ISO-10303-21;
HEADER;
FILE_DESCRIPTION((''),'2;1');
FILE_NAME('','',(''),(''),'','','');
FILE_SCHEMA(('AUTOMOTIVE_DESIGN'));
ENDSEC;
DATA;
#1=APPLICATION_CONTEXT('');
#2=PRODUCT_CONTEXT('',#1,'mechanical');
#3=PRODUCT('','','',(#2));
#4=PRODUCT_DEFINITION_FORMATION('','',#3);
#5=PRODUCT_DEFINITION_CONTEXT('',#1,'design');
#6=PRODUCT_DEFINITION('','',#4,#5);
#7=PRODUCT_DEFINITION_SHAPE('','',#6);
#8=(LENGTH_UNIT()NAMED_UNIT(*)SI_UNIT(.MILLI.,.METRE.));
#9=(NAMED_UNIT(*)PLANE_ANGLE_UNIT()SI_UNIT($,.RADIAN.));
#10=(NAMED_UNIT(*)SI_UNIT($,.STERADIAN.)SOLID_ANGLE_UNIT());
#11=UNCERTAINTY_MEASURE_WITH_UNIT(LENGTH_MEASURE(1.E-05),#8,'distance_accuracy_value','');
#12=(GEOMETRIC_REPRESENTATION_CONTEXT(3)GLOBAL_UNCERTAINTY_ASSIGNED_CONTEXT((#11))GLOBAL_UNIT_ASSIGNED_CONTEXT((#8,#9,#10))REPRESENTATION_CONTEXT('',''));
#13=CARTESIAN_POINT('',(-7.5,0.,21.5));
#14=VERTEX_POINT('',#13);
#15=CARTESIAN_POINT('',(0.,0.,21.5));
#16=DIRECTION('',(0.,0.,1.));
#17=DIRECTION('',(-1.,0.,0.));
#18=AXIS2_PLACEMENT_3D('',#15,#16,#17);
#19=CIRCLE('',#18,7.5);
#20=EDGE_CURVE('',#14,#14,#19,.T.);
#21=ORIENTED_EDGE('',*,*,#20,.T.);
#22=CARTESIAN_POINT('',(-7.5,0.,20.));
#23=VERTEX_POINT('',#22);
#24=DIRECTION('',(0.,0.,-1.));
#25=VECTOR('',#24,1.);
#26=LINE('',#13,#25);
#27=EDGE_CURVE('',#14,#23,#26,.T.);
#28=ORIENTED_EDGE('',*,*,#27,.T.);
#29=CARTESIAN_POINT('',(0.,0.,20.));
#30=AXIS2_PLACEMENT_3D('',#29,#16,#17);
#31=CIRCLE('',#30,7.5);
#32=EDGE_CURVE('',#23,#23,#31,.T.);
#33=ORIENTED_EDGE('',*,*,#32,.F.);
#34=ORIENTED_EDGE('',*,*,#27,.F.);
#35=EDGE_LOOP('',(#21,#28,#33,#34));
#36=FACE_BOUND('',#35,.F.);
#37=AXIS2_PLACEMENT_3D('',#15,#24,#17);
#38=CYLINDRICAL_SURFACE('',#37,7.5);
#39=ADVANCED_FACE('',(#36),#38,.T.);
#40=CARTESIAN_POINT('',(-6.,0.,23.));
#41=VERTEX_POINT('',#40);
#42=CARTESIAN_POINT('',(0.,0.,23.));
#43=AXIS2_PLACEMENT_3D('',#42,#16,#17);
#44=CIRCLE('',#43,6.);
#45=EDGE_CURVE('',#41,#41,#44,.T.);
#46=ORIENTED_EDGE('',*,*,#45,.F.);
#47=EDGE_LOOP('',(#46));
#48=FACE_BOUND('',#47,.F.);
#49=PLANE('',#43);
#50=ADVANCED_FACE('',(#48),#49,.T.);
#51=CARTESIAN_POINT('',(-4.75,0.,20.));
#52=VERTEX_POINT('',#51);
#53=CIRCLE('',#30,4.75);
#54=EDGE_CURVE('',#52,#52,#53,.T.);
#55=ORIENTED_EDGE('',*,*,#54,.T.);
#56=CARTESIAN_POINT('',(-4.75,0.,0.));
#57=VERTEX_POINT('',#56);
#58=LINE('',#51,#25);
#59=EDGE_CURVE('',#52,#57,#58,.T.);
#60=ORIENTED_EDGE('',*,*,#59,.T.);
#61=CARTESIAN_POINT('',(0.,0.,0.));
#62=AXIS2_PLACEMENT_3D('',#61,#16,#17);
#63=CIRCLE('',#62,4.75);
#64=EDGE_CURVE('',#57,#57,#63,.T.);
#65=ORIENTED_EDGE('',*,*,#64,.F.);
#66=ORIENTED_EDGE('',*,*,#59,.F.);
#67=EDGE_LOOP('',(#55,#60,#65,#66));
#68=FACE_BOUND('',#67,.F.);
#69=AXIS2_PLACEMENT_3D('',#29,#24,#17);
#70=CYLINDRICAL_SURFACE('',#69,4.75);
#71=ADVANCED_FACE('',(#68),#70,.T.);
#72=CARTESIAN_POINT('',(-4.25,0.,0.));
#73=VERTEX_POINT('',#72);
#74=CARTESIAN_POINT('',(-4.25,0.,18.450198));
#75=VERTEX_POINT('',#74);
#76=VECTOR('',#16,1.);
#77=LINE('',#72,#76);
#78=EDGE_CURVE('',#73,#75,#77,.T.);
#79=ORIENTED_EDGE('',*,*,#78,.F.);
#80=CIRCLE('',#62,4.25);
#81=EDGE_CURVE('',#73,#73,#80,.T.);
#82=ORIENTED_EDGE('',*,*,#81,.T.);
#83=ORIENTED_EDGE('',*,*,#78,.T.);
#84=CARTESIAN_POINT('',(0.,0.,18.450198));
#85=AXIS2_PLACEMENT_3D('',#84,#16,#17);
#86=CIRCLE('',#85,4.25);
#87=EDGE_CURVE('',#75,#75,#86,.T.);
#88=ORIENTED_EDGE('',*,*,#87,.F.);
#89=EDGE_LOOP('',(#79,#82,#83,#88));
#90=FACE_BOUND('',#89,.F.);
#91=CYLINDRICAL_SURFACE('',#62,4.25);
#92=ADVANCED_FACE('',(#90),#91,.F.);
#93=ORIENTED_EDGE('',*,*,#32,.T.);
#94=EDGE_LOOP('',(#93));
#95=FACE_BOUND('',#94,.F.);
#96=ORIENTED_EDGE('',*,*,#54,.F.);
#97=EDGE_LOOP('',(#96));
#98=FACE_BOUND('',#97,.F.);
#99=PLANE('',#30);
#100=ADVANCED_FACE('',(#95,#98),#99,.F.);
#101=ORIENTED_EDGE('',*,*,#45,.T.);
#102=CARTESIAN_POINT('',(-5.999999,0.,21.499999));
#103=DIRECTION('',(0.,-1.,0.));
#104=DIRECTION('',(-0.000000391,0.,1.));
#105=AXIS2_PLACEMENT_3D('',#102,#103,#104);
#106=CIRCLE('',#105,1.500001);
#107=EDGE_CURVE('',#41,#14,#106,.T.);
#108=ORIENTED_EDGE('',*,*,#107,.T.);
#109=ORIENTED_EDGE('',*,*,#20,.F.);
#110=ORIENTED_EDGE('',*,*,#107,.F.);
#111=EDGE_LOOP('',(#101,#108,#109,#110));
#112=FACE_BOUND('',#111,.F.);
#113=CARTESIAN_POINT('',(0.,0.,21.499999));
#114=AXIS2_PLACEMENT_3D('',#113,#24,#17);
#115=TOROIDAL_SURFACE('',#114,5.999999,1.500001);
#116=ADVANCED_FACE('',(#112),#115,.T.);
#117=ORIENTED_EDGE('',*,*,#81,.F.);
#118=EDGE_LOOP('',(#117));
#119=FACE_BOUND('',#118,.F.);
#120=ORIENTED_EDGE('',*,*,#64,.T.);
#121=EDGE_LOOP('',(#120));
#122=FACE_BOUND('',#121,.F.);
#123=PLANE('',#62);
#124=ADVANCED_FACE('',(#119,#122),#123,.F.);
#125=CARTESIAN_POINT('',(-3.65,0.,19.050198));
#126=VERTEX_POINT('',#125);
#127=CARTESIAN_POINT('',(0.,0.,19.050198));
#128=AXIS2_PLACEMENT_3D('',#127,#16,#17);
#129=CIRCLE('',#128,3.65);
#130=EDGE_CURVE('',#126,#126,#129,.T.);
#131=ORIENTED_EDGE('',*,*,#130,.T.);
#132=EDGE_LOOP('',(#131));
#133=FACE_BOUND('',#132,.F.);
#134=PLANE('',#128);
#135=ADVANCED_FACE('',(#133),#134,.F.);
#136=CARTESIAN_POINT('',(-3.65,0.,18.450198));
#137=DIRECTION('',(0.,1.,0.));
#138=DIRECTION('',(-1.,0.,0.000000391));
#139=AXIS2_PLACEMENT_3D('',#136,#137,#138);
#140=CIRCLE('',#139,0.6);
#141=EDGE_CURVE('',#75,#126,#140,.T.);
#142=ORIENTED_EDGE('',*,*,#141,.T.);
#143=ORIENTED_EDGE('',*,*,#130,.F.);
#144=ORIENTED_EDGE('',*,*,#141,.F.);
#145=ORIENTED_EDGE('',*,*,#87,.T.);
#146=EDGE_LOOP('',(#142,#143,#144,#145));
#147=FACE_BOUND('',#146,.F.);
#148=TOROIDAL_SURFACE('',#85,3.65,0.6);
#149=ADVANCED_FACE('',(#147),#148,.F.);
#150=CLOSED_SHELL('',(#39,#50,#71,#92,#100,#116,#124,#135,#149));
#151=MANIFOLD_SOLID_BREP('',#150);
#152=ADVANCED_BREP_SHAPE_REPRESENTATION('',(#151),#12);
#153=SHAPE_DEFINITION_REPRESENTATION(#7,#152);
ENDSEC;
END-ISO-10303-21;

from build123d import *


with BuildPart() as f1:
    # F0 (on Front) → F1 (revolve)
    with BuildSketch(Plane.XZ):
        with BuildLine():
            Line((-4.75, 0), (-4.25, 0))
            Line((-4.25, 0), (-4.25, 18.450198))
            ThreePointArc((-4.25, 18.450198), (-4.074264, 18.874462), (-3.65, 19.050198))
            Line((-3.65, 19.050198), (0, 19.050198))
            Line((0, 19.050198), (0, 23))
            Line((0, 23), (-6, 23))
            ThreePointArc((-6, 23), (-7.06066, 22.56066), (-7.5, 21.5))
            Line((-7.5, 21.5), (-7.5, 20))
            Line((-7.5, 20), (-4.75, 20))
            Line((-4.75, 20), (-4.75, 11.8))
            Line((-4.75, 11.8), (-4.75, 0))
        make_face()
    revolve(axis=Axis((0, 0, 3.544833), (0, 0, 1)))


solid = f1.part
